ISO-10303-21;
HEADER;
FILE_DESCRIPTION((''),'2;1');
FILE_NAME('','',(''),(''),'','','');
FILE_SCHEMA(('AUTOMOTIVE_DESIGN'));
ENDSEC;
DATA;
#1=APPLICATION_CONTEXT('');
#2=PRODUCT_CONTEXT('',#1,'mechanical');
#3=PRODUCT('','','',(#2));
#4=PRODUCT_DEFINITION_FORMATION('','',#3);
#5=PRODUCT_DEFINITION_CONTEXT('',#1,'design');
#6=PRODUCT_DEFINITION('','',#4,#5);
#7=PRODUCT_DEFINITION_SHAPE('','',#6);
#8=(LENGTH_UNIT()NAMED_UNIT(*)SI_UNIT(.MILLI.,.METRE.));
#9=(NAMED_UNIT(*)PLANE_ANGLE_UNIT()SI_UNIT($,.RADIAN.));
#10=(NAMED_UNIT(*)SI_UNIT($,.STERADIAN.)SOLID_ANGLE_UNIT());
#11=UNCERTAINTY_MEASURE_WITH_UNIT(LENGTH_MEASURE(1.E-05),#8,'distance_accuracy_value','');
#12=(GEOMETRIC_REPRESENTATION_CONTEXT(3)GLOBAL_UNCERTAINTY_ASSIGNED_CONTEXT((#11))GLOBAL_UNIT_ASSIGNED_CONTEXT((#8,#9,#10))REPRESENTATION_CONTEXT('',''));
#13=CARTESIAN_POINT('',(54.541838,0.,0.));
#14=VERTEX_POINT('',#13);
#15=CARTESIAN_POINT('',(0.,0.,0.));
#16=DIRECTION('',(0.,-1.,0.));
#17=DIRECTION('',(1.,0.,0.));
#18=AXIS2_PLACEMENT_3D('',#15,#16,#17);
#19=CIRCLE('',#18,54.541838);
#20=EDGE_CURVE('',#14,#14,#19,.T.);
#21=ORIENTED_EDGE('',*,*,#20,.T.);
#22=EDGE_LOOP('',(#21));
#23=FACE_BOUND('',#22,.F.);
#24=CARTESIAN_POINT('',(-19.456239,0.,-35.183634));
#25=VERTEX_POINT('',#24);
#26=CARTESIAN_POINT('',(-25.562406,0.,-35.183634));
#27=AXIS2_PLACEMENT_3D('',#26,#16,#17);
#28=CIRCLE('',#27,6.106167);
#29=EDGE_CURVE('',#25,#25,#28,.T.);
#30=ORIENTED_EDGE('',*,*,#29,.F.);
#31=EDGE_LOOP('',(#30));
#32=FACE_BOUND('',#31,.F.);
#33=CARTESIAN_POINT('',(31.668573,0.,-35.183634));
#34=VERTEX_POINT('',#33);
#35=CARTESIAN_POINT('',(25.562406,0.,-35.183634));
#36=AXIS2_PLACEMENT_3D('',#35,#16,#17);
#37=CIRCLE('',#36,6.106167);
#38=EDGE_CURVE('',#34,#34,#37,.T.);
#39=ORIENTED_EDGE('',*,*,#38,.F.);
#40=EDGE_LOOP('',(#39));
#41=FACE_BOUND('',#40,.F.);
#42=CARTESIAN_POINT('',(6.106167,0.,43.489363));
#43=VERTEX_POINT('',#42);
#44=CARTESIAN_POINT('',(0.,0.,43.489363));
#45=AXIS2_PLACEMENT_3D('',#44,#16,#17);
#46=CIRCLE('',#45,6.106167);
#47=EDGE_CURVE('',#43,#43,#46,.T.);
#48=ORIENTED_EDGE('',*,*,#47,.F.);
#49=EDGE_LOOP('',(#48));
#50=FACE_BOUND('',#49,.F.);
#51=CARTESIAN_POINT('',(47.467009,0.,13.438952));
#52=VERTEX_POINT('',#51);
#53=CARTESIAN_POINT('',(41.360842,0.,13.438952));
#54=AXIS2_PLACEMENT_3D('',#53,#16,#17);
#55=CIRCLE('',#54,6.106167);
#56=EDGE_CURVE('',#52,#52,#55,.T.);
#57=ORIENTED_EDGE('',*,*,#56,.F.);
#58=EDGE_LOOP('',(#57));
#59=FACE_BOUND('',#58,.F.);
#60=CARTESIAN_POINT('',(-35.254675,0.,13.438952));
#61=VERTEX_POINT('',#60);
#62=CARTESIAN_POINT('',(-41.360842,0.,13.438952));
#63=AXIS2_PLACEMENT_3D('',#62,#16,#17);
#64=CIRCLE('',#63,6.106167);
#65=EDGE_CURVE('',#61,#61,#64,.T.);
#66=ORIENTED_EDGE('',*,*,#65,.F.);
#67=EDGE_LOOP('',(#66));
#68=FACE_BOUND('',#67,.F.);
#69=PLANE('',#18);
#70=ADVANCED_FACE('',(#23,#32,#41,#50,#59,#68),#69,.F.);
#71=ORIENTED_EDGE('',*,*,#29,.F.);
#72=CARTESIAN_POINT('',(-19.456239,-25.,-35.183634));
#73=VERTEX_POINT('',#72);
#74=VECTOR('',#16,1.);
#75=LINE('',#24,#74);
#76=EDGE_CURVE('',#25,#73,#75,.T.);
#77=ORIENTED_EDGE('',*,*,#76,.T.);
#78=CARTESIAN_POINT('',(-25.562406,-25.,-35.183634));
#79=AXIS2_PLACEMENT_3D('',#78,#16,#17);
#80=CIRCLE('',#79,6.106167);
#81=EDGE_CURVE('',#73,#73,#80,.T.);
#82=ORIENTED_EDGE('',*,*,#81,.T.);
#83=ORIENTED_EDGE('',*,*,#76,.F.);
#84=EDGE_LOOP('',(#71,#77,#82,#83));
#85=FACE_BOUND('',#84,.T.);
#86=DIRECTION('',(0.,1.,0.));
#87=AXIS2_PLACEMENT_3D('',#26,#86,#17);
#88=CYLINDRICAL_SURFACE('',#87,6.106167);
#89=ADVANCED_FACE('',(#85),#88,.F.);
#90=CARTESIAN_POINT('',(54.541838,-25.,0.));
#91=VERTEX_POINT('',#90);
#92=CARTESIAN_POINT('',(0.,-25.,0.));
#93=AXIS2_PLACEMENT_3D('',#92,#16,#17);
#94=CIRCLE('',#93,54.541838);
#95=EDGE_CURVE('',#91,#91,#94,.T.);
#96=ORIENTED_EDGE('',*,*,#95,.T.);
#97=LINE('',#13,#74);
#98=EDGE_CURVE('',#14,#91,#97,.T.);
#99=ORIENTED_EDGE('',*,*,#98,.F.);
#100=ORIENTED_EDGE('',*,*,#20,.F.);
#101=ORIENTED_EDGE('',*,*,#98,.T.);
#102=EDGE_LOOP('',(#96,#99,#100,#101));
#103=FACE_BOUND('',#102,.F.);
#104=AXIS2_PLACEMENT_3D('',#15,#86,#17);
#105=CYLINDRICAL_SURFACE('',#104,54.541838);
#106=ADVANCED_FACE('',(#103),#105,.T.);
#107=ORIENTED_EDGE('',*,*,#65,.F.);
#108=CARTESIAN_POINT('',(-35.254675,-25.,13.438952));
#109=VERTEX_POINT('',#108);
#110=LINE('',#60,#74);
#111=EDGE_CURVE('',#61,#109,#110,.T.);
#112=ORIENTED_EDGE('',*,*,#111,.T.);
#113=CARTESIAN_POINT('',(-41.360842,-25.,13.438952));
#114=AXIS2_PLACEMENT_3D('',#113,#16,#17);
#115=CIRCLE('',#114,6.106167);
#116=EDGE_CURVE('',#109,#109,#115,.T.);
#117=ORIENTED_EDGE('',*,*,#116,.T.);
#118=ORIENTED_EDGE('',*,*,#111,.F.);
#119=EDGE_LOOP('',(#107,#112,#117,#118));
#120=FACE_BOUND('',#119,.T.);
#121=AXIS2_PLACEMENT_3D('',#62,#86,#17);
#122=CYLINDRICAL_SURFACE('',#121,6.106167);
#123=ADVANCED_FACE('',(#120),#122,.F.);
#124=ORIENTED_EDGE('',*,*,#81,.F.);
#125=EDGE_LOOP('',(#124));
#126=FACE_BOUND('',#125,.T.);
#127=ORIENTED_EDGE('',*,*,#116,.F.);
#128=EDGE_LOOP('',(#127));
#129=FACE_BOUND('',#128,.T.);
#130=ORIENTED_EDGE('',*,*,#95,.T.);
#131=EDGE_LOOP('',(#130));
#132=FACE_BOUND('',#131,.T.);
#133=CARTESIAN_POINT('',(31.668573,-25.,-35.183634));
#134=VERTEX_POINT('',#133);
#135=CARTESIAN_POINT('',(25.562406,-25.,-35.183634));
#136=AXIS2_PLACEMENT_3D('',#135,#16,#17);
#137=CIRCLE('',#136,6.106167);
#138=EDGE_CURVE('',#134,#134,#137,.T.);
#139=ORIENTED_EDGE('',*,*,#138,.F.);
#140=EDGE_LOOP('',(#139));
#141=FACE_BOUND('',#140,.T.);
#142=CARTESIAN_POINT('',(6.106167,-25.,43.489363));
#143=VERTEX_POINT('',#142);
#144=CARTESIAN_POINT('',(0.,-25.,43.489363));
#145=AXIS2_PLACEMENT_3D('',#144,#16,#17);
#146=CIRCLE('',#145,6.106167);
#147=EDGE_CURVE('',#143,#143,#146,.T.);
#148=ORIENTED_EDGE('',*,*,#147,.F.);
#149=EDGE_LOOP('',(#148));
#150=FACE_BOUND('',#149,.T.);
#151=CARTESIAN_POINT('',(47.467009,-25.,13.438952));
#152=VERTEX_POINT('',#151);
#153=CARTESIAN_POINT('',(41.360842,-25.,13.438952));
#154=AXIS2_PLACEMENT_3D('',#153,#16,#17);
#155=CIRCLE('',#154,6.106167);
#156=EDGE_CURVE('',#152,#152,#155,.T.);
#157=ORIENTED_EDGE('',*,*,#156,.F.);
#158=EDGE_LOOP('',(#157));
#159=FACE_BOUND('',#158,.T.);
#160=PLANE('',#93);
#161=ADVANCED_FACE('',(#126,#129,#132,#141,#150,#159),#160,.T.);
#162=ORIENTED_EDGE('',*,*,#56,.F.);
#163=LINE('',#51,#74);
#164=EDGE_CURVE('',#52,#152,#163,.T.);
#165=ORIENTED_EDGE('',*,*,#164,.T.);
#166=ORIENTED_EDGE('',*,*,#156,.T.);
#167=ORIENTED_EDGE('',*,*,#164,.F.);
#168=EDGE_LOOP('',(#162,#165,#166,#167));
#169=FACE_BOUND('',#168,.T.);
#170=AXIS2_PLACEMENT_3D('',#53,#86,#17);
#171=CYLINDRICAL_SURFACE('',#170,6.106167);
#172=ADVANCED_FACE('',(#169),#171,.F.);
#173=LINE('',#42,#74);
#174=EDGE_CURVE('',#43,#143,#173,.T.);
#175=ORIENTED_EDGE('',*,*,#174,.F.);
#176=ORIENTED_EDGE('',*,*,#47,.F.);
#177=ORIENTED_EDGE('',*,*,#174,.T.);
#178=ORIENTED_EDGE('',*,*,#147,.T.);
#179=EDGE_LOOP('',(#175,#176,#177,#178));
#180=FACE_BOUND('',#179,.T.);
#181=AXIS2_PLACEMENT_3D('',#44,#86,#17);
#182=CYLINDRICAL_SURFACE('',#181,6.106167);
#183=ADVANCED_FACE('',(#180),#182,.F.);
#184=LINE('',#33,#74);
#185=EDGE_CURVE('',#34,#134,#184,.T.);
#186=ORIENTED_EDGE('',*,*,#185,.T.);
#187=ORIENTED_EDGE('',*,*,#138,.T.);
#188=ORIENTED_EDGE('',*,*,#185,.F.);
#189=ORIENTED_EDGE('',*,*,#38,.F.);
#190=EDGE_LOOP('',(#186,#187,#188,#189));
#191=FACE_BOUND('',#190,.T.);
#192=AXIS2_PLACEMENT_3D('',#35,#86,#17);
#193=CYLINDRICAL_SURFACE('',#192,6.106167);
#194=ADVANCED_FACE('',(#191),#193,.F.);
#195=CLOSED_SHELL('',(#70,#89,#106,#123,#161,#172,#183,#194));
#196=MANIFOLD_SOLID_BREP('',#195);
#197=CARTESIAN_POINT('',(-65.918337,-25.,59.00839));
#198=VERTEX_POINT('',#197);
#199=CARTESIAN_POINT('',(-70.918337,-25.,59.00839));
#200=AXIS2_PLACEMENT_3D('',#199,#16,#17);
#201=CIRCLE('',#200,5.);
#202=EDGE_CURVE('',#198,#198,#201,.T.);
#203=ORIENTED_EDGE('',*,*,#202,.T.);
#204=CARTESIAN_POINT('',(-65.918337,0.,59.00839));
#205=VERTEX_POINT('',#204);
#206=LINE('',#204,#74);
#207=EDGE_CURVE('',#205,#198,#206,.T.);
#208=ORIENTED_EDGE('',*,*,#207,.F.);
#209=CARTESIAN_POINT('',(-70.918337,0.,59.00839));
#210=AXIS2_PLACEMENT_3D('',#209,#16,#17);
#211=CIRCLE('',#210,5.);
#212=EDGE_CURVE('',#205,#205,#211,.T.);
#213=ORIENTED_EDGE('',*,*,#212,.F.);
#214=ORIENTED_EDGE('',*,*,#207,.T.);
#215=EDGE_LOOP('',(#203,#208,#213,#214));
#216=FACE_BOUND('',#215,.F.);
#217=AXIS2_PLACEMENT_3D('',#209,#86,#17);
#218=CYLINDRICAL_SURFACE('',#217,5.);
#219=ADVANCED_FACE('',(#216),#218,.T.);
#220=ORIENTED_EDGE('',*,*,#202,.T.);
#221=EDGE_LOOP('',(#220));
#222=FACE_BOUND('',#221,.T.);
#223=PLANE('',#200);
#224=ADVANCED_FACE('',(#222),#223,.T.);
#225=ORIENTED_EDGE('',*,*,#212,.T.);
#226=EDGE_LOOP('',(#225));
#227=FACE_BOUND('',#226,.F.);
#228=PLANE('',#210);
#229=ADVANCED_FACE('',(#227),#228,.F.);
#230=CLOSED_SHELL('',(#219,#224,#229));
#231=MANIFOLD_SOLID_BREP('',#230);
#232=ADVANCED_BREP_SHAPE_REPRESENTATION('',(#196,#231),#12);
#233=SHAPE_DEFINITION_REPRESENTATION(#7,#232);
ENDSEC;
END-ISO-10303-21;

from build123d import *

# Parameters (mm, degrees)
F0_R     = 54.541838
F0_R_2   = 6.106167
F1_DEPTH = 25
F2_R     = 5
F3_DEPTH = 25


with BuildPart() as f1:
    # F0 (on Front) → F1 (new body)
    with BuildSketch(Plane.XZ):
        Circle(F0_R)
        with Locations((-25.562406, -35.183634)):
            Circle(F0_R_2, mode=Mode.SUBTRACT)
        with Locations((25.562406, -35.183634)):
            Circle(F0_R_2, mode=Mode.SUBTRACT)
        with Locations((-41.360842, 13.438952)):
            Circle(F0_R_2, mode=Mode.SUBTRACT)
        with Locations((41.360842, 13.438952)):
            Circle(F0_R_2, mode=Mode.SUBTRACT)
        with Locations((0, 43.489363)):
            Circle(F0_R_2, mode=Mode.SUBTRACT)
    extrude(amount=F1_DEPTH)


with BuildPart() as f3:
    # F2 (on Front) → F3 (new body)
    with BuildSketch(Plane.XZ):
        with Locations((-70.918337, 59.00839)):
            Circle(F2_R)
    extrude(amount=F3_DEPTH)


solid = Compound([f1.part, f3.part])
